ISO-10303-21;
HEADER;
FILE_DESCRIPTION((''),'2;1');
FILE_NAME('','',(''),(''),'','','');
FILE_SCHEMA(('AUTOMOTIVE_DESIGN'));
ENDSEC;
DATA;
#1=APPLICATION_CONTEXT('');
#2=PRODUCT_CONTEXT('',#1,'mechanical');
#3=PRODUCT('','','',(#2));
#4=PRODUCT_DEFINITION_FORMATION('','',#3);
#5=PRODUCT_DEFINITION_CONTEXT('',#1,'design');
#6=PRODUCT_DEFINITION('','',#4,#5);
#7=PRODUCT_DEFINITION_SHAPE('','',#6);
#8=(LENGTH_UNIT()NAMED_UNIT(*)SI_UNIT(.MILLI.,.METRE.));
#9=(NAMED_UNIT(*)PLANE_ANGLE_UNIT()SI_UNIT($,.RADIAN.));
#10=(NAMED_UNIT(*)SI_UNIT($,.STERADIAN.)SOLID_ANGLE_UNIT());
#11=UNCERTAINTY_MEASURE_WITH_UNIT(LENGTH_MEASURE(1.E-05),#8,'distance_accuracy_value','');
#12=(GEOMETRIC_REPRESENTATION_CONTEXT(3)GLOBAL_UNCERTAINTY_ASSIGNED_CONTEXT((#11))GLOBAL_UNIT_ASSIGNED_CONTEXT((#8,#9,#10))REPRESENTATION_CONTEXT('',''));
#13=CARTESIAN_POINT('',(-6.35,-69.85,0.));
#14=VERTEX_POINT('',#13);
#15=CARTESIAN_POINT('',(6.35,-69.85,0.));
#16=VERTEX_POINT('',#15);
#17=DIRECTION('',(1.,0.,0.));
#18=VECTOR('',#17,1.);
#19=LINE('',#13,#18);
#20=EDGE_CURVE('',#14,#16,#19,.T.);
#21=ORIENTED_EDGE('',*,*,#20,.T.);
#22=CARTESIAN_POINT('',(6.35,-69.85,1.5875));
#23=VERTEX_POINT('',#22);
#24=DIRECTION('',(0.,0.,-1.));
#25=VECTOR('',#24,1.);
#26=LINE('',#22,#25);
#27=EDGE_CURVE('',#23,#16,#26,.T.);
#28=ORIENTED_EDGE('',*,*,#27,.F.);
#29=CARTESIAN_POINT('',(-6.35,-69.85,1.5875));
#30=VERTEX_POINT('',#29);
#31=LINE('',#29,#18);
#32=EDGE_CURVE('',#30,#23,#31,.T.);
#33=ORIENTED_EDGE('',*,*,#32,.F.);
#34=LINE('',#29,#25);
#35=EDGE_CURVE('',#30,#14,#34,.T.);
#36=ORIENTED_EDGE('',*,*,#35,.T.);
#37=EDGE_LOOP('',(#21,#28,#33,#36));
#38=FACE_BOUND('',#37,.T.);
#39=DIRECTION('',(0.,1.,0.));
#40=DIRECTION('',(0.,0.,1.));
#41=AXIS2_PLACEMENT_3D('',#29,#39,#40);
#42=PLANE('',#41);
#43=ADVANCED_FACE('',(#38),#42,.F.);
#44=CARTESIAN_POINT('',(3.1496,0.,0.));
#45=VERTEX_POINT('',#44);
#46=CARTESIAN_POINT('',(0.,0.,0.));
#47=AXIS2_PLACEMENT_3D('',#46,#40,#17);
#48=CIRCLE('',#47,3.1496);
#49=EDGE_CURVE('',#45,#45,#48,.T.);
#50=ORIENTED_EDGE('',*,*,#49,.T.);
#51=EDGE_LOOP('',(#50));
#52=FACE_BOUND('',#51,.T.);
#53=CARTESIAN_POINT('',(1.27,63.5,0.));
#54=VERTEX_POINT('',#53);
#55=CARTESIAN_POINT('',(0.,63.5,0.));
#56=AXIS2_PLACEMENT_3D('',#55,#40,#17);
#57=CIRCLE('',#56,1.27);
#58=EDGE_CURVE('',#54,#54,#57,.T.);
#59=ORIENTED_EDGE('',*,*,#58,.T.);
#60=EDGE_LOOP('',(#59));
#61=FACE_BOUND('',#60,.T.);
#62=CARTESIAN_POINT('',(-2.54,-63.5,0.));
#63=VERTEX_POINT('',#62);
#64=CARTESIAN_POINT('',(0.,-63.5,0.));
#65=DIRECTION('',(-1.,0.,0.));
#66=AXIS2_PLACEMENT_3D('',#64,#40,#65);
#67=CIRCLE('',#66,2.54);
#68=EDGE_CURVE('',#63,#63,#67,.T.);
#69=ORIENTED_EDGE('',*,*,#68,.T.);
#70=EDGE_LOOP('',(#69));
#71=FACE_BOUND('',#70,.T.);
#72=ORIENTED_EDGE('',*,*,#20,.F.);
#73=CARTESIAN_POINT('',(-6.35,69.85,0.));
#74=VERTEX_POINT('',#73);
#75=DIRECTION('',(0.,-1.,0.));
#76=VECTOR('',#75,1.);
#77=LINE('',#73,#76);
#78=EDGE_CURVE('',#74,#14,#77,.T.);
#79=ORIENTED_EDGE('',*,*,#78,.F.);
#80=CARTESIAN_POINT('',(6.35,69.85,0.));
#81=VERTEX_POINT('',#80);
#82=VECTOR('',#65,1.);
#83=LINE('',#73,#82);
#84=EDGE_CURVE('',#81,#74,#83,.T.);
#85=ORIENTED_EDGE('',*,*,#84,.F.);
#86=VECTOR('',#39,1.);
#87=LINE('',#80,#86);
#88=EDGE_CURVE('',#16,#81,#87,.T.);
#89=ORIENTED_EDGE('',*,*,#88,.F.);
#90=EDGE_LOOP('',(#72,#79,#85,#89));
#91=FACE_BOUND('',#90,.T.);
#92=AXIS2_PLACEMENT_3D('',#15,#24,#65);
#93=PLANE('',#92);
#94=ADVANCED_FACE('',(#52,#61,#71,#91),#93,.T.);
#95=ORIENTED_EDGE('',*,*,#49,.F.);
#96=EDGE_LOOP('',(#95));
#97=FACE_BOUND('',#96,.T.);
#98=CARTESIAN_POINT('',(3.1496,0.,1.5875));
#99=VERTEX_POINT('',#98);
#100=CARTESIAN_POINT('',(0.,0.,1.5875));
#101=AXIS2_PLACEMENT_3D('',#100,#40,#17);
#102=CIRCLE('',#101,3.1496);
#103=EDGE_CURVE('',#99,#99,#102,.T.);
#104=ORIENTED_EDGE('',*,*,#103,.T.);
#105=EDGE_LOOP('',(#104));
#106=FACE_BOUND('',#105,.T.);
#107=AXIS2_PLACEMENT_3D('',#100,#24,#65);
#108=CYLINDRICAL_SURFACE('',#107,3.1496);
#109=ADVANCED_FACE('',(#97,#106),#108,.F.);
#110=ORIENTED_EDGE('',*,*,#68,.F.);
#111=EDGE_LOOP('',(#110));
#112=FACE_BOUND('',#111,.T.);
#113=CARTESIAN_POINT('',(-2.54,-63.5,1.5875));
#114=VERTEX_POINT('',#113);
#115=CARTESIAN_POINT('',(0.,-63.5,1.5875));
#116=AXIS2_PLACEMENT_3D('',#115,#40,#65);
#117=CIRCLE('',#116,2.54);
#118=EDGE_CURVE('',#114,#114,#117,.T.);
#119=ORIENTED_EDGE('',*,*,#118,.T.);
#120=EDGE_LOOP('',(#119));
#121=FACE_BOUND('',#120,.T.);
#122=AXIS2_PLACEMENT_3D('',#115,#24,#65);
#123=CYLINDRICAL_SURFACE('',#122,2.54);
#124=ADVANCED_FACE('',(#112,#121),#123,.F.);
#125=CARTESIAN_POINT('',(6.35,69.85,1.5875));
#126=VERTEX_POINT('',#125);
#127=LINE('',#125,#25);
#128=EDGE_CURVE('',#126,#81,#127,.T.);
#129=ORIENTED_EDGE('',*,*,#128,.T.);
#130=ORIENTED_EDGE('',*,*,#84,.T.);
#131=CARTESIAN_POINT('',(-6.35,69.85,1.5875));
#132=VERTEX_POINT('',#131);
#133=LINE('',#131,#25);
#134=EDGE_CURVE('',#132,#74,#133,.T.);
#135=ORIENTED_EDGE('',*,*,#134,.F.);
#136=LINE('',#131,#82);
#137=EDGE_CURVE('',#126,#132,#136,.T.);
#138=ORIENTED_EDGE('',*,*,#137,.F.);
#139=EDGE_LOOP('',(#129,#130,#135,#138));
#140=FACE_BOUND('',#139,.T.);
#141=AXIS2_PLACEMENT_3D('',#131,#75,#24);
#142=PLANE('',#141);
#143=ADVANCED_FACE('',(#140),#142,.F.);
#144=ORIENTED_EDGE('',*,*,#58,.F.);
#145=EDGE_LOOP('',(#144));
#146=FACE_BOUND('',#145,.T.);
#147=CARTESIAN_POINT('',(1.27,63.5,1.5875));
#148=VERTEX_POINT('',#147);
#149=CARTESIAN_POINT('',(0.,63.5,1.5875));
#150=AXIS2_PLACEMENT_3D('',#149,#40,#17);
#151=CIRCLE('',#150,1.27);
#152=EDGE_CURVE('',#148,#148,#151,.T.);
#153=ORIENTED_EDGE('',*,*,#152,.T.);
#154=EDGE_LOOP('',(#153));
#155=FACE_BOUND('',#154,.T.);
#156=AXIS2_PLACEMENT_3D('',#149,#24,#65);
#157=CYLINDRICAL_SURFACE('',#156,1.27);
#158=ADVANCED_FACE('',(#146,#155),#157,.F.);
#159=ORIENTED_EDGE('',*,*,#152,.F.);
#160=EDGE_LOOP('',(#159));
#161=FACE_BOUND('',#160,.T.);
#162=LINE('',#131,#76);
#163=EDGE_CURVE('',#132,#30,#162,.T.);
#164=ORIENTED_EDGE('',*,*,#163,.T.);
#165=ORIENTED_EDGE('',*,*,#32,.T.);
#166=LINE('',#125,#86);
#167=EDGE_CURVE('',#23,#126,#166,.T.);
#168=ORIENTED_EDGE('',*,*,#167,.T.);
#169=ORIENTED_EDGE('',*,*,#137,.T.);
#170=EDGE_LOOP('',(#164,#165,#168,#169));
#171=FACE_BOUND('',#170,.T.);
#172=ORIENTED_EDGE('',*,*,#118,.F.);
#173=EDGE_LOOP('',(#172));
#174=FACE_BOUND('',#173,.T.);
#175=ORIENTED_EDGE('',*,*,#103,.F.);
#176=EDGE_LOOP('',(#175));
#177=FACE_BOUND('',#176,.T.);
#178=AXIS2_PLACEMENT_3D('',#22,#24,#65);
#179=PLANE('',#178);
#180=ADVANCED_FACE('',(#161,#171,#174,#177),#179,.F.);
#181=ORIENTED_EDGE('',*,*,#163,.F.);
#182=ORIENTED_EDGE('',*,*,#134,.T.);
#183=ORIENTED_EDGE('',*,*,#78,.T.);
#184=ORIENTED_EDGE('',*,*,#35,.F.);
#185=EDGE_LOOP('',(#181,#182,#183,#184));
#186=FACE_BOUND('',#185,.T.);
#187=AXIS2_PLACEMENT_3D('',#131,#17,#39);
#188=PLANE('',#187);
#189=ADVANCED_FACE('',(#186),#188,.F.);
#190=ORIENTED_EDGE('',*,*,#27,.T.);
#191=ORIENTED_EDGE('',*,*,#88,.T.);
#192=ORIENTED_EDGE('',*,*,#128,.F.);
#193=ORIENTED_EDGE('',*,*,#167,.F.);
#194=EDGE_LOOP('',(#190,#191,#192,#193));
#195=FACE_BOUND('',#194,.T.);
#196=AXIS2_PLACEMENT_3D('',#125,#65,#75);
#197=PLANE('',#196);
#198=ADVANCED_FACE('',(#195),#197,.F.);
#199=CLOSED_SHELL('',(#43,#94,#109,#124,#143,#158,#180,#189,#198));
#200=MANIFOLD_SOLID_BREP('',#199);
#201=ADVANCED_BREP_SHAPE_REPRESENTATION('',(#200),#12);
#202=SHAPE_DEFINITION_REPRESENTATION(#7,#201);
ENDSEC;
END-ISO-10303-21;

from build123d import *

# Parameters (mm, degrees)
SKETCH1_W           = 12.7
SKETCH1_H           = 139.7
SKETCH1_R           = 3.1496
SKETCH1_R_2         = 1.27
SKETCH1_R_3         = 2.54
BOSS_EXTRUDE1_DEPTH = 1.5875


with BuildPart() as part:
    # Sketch1 → Boss-Extrude1 (new body)
    with BuildSketch(Plane.XY):
        Rectangle(SKETCH1_W, SKETCH1_H)
        Circle(SKETCH1_R, mode=Mode.SUBTRACT)
        with Locations((0, 63.5)):
            Circle(SKETCH1_R_2, mode=Mode.SUBTRACT)
        with Locations(Location((0, -63.5, 0), (0, 0, 180))):
            Circle(SKETCH1_R_3, mode=Mode.SUBTRACT)
    extrude(amount=BOSS_EXTRUDE1_DEPTH)


solid = part.part
